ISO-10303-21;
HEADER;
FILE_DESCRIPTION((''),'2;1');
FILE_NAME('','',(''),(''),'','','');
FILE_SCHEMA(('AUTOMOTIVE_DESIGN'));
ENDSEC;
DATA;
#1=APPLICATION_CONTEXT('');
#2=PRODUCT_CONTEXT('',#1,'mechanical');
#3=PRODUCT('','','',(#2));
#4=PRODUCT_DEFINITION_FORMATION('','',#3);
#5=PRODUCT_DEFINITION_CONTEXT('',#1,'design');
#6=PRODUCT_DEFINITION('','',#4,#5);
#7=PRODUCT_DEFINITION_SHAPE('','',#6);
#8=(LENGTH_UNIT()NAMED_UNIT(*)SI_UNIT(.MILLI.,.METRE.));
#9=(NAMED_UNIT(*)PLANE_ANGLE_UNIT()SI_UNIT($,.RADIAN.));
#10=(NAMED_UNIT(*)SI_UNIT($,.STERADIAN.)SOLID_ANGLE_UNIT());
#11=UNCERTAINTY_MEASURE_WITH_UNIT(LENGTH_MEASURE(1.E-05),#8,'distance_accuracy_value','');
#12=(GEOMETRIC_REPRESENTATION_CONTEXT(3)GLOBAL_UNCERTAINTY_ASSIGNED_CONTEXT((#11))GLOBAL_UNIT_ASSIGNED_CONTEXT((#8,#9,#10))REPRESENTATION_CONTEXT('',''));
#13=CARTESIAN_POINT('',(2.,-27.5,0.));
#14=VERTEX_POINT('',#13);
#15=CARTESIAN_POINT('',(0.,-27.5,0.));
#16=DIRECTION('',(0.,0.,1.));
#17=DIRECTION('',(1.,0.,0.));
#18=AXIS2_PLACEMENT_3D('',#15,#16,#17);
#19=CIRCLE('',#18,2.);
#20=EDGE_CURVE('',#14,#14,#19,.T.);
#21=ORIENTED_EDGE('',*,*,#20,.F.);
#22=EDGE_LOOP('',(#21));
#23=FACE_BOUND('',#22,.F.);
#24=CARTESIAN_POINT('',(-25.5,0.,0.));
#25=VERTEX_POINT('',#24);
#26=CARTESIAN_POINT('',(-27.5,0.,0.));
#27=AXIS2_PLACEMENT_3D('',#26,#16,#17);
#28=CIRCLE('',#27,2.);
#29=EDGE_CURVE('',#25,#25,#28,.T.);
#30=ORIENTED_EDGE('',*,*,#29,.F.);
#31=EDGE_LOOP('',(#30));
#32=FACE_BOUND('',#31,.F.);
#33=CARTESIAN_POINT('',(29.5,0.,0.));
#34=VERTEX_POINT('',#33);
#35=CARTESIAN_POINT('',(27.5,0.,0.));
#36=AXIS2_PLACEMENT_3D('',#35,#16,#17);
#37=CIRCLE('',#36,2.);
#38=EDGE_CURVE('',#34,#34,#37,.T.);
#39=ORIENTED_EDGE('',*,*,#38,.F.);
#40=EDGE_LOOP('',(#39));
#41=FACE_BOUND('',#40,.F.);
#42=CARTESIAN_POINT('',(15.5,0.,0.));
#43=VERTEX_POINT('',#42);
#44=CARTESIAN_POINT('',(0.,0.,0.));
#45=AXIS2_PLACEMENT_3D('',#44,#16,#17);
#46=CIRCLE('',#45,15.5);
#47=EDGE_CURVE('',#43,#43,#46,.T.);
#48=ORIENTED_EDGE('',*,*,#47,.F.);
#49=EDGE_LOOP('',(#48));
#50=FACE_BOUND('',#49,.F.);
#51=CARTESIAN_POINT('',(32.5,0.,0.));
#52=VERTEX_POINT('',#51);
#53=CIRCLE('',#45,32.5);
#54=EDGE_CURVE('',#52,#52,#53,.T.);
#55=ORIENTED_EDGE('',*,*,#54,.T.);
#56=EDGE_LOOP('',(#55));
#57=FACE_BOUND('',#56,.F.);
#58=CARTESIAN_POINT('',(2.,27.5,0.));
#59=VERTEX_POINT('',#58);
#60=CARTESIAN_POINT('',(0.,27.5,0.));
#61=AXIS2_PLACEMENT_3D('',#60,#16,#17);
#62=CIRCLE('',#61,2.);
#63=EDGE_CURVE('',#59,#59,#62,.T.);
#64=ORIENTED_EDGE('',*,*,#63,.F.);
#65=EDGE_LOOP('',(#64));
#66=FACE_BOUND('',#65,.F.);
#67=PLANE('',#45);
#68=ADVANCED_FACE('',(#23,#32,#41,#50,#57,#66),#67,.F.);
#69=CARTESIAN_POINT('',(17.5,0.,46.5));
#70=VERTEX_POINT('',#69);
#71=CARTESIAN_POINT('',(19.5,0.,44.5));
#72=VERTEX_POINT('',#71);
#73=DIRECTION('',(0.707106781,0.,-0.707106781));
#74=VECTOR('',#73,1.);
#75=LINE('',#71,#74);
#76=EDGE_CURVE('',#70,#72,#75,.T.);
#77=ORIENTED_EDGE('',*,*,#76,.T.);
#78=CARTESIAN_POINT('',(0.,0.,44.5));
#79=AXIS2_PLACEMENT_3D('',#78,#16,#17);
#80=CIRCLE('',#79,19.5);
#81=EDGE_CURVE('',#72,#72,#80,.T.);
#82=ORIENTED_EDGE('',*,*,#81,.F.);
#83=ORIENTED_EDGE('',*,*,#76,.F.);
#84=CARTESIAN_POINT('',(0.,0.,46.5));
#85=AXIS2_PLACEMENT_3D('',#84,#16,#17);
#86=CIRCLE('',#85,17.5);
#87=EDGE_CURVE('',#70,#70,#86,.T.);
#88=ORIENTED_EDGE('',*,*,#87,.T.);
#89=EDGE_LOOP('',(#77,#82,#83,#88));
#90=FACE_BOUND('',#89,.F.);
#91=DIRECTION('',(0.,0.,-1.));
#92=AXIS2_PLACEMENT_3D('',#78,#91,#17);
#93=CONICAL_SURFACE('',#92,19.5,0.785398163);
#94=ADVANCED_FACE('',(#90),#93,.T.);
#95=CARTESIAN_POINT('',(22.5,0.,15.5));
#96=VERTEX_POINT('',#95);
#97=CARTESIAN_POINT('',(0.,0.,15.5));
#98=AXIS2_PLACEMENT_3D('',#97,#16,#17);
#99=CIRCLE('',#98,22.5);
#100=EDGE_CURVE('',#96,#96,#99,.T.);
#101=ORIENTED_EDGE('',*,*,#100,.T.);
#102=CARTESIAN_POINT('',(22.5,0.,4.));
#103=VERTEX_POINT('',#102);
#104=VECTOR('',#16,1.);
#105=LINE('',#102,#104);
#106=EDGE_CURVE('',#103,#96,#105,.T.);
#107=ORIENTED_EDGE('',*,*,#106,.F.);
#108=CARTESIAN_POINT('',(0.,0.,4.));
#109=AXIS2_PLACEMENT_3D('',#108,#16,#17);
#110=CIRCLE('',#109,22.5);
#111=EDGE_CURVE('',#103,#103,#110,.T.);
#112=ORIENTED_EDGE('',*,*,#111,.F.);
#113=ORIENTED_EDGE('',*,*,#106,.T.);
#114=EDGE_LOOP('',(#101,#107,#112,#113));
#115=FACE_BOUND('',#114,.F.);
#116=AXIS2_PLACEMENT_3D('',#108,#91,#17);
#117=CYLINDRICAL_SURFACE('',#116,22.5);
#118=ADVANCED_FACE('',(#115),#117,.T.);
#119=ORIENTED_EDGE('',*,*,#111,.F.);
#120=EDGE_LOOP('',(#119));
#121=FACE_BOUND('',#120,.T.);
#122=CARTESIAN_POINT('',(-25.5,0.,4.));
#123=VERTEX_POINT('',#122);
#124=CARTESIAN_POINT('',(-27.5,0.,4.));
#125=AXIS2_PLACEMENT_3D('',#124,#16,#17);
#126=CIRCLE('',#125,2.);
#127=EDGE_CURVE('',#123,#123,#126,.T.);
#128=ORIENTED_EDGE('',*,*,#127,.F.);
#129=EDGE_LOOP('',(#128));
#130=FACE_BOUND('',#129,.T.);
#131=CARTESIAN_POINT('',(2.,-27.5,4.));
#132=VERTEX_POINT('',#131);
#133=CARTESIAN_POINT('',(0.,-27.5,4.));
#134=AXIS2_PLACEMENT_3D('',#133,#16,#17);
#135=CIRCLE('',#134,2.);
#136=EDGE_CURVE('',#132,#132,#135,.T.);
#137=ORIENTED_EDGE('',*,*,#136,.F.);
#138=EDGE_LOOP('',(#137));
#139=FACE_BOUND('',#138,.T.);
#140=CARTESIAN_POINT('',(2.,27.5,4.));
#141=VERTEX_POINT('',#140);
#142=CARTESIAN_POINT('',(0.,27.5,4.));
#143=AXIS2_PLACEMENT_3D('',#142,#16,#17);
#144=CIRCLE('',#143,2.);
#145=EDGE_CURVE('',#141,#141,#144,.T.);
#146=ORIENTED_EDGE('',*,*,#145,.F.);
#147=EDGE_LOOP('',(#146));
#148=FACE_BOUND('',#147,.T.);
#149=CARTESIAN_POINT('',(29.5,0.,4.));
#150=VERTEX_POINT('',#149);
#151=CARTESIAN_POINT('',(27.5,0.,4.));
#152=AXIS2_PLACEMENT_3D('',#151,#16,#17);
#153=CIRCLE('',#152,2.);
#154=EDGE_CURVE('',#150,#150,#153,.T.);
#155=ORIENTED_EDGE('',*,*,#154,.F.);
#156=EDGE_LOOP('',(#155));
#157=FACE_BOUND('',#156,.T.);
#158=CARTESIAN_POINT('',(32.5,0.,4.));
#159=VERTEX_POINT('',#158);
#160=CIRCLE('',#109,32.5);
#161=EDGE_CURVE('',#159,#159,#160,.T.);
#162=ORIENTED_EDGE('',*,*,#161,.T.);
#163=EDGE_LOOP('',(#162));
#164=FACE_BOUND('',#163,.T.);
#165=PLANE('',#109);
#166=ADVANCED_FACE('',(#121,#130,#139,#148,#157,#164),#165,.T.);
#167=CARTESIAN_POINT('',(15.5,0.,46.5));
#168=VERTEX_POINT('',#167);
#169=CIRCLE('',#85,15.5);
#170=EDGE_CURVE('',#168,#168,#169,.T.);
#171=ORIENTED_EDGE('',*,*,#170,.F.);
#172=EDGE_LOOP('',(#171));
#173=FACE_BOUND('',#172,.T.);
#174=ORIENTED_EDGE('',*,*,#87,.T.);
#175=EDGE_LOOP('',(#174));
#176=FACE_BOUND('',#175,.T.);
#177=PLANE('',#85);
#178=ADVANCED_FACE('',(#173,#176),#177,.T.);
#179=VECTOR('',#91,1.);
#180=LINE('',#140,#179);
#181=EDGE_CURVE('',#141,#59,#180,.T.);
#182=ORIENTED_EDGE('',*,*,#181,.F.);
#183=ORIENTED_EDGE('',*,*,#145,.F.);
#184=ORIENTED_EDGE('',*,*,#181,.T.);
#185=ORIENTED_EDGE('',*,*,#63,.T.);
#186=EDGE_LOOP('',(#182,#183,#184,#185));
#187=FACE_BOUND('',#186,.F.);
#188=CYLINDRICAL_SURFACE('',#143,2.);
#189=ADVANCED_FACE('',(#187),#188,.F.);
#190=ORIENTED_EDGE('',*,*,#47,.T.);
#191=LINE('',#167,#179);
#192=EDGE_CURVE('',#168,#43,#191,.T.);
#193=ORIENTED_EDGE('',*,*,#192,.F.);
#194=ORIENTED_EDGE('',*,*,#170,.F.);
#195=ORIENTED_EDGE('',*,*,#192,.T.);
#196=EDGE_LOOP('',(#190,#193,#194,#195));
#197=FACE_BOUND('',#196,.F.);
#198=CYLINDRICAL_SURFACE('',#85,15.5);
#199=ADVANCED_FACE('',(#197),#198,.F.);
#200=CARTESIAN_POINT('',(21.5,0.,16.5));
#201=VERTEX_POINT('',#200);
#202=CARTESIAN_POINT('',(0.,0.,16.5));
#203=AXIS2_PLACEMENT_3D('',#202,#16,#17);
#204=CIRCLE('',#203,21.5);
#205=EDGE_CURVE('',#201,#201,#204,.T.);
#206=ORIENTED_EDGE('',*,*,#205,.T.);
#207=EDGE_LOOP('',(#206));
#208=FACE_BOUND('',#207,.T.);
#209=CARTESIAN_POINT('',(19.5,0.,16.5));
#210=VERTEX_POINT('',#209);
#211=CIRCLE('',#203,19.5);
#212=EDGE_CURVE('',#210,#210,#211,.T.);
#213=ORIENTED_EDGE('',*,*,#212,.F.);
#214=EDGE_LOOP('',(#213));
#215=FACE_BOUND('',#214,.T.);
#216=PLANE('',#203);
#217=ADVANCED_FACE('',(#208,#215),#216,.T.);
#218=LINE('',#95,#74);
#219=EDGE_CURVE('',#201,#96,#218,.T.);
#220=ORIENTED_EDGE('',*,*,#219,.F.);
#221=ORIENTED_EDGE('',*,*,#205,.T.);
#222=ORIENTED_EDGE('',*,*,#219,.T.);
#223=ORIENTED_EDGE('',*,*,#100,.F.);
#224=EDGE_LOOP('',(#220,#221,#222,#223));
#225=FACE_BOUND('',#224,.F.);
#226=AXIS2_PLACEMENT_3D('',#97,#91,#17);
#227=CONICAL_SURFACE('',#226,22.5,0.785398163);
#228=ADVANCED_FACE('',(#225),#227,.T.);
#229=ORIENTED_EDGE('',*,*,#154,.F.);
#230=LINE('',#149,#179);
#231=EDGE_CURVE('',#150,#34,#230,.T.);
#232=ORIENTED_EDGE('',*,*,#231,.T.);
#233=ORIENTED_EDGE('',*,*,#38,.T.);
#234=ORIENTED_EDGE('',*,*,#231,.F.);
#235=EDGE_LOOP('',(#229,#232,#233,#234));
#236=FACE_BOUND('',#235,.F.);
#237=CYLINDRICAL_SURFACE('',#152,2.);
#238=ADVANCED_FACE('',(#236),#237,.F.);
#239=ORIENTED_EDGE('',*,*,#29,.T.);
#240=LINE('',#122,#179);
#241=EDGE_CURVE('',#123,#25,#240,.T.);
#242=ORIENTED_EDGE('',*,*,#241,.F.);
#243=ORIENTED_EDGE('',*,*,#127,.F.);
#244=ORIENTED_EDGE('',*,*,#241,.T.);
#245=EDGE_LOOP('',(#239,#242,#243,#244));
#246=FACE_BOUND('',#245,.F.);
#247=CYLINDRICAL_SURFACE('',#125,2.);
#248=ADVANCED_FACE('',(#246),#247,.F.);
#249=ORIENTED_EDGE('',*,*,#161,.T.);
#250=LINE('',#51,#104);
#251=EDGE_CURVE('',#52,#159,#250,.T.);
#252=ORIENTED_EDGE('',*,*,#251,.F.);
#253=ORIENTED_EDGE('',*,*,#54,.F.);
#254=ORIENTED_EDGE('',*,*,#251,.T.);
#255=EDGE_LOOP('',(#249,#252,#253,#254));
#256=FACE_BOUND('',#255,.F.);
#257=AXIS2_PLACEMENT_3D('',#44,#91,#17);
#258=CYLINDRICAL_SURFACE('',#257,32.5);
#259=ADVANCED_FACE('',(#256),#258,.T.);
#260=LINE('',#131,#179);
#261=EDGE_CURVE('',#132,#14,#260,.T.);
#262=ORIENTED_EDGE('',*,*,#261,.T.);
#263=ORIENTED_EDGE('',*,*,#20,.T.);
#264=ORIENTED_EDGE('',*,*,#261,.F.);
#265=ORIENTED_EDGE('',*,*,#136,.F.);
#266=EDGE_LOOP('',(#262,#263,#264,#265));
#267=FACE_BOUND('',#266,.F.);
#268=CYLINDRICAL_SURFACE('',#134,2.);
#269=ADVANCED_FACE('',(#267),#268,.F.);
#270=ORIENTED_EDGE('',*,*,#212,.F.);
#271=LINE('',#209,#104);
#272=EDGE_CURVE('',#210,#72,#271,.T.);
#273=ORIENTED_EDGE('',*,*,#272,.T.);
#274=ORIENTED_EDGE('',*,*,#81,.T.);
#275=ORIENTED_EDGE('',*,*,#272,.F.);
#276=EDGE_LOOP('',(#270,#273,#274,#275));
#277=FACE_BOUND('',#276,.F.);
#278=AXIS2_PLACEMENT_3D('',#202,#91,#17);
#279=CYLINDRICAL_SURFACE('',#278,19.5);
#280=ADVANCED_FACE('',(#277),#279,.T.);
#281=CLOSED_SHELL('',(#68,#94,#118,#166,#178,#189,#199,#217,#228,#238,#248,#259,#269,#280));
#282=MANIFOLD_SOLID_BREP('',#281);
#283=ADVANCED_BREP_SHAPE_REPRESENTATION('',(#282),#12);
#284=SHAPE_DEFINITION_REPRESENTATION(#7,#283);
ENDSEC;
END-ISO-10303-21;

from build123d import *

# Parameters (mm, degrees)
F0_R     = 32.5
F1_DEPTH = 4
F2_R     = 22.5
F3_DEPTH = 12.5
F4_R     = 19.5
F5_DEPTH = 30
F6_R     = 15.5
F7_DEPTH = 46.501
F8_R     = 2
F9_DEPTH = 4.001
F10_SIZE = 2
F11_SIZE = 1


with BuildPart() as f1:
    # F0 (on Top) → F1 (new body)
    with BuildSketch(Plane.XY):
        Circle(F0_R)
    extrude(amount=F1_DEPTH)

    # F2 (on face) → F3 (join)
    with BuildSketch(Plane.XY.offset(4)):
        Circle(F2_R)
    extrude(amount=F3_DEPTH)

    # F4 (on face) → F5 (join)
    with BuildSketch(Plane.XY.offset(16.5)):
        Circle(F4_R)
    extrude(amount=F5_DEPTH)

    # F6 (on face) → F7 (cut, through all)
    with BuildSketch(Plane.XY.offset(46.5)):
        Circle(F6_R)
    extrude(amount=-F7_DEPTH, mode=Mode.SUBTRACT)

    # F8 (on face) → F9 (cut, through all)
    with BuildSketch(Plane.XY.offset(4)):
        with Locations((0, 27.5)):
            Circle(F8_R)
        with Locations((27.5, 0)):
            Circle(F8_R)
        with Locations((0, -27.5)):
            Circle(F8_R)
        with Locations((-27.5, 0)):
            Circle(F8_R)
    extrude(amount=-F9_DEPTH, mode=Mode.SUBTRACT)

    # F10
    f10_edges = [f1.edges().sort_by_distance(p)[0] for p in [
        (-19.5, 0, 46.5),
    ]]
    chamfer(f10_edges, length=F10_SIZE)

    # F11
    f11_edges = [f1.edges().sort_by_distance(p)[0] for p in [
        (-22.5, 0, 16.5),
    ]]
    chamfer(f11_edges, length=F11_SIZE)


solid = f1.part
